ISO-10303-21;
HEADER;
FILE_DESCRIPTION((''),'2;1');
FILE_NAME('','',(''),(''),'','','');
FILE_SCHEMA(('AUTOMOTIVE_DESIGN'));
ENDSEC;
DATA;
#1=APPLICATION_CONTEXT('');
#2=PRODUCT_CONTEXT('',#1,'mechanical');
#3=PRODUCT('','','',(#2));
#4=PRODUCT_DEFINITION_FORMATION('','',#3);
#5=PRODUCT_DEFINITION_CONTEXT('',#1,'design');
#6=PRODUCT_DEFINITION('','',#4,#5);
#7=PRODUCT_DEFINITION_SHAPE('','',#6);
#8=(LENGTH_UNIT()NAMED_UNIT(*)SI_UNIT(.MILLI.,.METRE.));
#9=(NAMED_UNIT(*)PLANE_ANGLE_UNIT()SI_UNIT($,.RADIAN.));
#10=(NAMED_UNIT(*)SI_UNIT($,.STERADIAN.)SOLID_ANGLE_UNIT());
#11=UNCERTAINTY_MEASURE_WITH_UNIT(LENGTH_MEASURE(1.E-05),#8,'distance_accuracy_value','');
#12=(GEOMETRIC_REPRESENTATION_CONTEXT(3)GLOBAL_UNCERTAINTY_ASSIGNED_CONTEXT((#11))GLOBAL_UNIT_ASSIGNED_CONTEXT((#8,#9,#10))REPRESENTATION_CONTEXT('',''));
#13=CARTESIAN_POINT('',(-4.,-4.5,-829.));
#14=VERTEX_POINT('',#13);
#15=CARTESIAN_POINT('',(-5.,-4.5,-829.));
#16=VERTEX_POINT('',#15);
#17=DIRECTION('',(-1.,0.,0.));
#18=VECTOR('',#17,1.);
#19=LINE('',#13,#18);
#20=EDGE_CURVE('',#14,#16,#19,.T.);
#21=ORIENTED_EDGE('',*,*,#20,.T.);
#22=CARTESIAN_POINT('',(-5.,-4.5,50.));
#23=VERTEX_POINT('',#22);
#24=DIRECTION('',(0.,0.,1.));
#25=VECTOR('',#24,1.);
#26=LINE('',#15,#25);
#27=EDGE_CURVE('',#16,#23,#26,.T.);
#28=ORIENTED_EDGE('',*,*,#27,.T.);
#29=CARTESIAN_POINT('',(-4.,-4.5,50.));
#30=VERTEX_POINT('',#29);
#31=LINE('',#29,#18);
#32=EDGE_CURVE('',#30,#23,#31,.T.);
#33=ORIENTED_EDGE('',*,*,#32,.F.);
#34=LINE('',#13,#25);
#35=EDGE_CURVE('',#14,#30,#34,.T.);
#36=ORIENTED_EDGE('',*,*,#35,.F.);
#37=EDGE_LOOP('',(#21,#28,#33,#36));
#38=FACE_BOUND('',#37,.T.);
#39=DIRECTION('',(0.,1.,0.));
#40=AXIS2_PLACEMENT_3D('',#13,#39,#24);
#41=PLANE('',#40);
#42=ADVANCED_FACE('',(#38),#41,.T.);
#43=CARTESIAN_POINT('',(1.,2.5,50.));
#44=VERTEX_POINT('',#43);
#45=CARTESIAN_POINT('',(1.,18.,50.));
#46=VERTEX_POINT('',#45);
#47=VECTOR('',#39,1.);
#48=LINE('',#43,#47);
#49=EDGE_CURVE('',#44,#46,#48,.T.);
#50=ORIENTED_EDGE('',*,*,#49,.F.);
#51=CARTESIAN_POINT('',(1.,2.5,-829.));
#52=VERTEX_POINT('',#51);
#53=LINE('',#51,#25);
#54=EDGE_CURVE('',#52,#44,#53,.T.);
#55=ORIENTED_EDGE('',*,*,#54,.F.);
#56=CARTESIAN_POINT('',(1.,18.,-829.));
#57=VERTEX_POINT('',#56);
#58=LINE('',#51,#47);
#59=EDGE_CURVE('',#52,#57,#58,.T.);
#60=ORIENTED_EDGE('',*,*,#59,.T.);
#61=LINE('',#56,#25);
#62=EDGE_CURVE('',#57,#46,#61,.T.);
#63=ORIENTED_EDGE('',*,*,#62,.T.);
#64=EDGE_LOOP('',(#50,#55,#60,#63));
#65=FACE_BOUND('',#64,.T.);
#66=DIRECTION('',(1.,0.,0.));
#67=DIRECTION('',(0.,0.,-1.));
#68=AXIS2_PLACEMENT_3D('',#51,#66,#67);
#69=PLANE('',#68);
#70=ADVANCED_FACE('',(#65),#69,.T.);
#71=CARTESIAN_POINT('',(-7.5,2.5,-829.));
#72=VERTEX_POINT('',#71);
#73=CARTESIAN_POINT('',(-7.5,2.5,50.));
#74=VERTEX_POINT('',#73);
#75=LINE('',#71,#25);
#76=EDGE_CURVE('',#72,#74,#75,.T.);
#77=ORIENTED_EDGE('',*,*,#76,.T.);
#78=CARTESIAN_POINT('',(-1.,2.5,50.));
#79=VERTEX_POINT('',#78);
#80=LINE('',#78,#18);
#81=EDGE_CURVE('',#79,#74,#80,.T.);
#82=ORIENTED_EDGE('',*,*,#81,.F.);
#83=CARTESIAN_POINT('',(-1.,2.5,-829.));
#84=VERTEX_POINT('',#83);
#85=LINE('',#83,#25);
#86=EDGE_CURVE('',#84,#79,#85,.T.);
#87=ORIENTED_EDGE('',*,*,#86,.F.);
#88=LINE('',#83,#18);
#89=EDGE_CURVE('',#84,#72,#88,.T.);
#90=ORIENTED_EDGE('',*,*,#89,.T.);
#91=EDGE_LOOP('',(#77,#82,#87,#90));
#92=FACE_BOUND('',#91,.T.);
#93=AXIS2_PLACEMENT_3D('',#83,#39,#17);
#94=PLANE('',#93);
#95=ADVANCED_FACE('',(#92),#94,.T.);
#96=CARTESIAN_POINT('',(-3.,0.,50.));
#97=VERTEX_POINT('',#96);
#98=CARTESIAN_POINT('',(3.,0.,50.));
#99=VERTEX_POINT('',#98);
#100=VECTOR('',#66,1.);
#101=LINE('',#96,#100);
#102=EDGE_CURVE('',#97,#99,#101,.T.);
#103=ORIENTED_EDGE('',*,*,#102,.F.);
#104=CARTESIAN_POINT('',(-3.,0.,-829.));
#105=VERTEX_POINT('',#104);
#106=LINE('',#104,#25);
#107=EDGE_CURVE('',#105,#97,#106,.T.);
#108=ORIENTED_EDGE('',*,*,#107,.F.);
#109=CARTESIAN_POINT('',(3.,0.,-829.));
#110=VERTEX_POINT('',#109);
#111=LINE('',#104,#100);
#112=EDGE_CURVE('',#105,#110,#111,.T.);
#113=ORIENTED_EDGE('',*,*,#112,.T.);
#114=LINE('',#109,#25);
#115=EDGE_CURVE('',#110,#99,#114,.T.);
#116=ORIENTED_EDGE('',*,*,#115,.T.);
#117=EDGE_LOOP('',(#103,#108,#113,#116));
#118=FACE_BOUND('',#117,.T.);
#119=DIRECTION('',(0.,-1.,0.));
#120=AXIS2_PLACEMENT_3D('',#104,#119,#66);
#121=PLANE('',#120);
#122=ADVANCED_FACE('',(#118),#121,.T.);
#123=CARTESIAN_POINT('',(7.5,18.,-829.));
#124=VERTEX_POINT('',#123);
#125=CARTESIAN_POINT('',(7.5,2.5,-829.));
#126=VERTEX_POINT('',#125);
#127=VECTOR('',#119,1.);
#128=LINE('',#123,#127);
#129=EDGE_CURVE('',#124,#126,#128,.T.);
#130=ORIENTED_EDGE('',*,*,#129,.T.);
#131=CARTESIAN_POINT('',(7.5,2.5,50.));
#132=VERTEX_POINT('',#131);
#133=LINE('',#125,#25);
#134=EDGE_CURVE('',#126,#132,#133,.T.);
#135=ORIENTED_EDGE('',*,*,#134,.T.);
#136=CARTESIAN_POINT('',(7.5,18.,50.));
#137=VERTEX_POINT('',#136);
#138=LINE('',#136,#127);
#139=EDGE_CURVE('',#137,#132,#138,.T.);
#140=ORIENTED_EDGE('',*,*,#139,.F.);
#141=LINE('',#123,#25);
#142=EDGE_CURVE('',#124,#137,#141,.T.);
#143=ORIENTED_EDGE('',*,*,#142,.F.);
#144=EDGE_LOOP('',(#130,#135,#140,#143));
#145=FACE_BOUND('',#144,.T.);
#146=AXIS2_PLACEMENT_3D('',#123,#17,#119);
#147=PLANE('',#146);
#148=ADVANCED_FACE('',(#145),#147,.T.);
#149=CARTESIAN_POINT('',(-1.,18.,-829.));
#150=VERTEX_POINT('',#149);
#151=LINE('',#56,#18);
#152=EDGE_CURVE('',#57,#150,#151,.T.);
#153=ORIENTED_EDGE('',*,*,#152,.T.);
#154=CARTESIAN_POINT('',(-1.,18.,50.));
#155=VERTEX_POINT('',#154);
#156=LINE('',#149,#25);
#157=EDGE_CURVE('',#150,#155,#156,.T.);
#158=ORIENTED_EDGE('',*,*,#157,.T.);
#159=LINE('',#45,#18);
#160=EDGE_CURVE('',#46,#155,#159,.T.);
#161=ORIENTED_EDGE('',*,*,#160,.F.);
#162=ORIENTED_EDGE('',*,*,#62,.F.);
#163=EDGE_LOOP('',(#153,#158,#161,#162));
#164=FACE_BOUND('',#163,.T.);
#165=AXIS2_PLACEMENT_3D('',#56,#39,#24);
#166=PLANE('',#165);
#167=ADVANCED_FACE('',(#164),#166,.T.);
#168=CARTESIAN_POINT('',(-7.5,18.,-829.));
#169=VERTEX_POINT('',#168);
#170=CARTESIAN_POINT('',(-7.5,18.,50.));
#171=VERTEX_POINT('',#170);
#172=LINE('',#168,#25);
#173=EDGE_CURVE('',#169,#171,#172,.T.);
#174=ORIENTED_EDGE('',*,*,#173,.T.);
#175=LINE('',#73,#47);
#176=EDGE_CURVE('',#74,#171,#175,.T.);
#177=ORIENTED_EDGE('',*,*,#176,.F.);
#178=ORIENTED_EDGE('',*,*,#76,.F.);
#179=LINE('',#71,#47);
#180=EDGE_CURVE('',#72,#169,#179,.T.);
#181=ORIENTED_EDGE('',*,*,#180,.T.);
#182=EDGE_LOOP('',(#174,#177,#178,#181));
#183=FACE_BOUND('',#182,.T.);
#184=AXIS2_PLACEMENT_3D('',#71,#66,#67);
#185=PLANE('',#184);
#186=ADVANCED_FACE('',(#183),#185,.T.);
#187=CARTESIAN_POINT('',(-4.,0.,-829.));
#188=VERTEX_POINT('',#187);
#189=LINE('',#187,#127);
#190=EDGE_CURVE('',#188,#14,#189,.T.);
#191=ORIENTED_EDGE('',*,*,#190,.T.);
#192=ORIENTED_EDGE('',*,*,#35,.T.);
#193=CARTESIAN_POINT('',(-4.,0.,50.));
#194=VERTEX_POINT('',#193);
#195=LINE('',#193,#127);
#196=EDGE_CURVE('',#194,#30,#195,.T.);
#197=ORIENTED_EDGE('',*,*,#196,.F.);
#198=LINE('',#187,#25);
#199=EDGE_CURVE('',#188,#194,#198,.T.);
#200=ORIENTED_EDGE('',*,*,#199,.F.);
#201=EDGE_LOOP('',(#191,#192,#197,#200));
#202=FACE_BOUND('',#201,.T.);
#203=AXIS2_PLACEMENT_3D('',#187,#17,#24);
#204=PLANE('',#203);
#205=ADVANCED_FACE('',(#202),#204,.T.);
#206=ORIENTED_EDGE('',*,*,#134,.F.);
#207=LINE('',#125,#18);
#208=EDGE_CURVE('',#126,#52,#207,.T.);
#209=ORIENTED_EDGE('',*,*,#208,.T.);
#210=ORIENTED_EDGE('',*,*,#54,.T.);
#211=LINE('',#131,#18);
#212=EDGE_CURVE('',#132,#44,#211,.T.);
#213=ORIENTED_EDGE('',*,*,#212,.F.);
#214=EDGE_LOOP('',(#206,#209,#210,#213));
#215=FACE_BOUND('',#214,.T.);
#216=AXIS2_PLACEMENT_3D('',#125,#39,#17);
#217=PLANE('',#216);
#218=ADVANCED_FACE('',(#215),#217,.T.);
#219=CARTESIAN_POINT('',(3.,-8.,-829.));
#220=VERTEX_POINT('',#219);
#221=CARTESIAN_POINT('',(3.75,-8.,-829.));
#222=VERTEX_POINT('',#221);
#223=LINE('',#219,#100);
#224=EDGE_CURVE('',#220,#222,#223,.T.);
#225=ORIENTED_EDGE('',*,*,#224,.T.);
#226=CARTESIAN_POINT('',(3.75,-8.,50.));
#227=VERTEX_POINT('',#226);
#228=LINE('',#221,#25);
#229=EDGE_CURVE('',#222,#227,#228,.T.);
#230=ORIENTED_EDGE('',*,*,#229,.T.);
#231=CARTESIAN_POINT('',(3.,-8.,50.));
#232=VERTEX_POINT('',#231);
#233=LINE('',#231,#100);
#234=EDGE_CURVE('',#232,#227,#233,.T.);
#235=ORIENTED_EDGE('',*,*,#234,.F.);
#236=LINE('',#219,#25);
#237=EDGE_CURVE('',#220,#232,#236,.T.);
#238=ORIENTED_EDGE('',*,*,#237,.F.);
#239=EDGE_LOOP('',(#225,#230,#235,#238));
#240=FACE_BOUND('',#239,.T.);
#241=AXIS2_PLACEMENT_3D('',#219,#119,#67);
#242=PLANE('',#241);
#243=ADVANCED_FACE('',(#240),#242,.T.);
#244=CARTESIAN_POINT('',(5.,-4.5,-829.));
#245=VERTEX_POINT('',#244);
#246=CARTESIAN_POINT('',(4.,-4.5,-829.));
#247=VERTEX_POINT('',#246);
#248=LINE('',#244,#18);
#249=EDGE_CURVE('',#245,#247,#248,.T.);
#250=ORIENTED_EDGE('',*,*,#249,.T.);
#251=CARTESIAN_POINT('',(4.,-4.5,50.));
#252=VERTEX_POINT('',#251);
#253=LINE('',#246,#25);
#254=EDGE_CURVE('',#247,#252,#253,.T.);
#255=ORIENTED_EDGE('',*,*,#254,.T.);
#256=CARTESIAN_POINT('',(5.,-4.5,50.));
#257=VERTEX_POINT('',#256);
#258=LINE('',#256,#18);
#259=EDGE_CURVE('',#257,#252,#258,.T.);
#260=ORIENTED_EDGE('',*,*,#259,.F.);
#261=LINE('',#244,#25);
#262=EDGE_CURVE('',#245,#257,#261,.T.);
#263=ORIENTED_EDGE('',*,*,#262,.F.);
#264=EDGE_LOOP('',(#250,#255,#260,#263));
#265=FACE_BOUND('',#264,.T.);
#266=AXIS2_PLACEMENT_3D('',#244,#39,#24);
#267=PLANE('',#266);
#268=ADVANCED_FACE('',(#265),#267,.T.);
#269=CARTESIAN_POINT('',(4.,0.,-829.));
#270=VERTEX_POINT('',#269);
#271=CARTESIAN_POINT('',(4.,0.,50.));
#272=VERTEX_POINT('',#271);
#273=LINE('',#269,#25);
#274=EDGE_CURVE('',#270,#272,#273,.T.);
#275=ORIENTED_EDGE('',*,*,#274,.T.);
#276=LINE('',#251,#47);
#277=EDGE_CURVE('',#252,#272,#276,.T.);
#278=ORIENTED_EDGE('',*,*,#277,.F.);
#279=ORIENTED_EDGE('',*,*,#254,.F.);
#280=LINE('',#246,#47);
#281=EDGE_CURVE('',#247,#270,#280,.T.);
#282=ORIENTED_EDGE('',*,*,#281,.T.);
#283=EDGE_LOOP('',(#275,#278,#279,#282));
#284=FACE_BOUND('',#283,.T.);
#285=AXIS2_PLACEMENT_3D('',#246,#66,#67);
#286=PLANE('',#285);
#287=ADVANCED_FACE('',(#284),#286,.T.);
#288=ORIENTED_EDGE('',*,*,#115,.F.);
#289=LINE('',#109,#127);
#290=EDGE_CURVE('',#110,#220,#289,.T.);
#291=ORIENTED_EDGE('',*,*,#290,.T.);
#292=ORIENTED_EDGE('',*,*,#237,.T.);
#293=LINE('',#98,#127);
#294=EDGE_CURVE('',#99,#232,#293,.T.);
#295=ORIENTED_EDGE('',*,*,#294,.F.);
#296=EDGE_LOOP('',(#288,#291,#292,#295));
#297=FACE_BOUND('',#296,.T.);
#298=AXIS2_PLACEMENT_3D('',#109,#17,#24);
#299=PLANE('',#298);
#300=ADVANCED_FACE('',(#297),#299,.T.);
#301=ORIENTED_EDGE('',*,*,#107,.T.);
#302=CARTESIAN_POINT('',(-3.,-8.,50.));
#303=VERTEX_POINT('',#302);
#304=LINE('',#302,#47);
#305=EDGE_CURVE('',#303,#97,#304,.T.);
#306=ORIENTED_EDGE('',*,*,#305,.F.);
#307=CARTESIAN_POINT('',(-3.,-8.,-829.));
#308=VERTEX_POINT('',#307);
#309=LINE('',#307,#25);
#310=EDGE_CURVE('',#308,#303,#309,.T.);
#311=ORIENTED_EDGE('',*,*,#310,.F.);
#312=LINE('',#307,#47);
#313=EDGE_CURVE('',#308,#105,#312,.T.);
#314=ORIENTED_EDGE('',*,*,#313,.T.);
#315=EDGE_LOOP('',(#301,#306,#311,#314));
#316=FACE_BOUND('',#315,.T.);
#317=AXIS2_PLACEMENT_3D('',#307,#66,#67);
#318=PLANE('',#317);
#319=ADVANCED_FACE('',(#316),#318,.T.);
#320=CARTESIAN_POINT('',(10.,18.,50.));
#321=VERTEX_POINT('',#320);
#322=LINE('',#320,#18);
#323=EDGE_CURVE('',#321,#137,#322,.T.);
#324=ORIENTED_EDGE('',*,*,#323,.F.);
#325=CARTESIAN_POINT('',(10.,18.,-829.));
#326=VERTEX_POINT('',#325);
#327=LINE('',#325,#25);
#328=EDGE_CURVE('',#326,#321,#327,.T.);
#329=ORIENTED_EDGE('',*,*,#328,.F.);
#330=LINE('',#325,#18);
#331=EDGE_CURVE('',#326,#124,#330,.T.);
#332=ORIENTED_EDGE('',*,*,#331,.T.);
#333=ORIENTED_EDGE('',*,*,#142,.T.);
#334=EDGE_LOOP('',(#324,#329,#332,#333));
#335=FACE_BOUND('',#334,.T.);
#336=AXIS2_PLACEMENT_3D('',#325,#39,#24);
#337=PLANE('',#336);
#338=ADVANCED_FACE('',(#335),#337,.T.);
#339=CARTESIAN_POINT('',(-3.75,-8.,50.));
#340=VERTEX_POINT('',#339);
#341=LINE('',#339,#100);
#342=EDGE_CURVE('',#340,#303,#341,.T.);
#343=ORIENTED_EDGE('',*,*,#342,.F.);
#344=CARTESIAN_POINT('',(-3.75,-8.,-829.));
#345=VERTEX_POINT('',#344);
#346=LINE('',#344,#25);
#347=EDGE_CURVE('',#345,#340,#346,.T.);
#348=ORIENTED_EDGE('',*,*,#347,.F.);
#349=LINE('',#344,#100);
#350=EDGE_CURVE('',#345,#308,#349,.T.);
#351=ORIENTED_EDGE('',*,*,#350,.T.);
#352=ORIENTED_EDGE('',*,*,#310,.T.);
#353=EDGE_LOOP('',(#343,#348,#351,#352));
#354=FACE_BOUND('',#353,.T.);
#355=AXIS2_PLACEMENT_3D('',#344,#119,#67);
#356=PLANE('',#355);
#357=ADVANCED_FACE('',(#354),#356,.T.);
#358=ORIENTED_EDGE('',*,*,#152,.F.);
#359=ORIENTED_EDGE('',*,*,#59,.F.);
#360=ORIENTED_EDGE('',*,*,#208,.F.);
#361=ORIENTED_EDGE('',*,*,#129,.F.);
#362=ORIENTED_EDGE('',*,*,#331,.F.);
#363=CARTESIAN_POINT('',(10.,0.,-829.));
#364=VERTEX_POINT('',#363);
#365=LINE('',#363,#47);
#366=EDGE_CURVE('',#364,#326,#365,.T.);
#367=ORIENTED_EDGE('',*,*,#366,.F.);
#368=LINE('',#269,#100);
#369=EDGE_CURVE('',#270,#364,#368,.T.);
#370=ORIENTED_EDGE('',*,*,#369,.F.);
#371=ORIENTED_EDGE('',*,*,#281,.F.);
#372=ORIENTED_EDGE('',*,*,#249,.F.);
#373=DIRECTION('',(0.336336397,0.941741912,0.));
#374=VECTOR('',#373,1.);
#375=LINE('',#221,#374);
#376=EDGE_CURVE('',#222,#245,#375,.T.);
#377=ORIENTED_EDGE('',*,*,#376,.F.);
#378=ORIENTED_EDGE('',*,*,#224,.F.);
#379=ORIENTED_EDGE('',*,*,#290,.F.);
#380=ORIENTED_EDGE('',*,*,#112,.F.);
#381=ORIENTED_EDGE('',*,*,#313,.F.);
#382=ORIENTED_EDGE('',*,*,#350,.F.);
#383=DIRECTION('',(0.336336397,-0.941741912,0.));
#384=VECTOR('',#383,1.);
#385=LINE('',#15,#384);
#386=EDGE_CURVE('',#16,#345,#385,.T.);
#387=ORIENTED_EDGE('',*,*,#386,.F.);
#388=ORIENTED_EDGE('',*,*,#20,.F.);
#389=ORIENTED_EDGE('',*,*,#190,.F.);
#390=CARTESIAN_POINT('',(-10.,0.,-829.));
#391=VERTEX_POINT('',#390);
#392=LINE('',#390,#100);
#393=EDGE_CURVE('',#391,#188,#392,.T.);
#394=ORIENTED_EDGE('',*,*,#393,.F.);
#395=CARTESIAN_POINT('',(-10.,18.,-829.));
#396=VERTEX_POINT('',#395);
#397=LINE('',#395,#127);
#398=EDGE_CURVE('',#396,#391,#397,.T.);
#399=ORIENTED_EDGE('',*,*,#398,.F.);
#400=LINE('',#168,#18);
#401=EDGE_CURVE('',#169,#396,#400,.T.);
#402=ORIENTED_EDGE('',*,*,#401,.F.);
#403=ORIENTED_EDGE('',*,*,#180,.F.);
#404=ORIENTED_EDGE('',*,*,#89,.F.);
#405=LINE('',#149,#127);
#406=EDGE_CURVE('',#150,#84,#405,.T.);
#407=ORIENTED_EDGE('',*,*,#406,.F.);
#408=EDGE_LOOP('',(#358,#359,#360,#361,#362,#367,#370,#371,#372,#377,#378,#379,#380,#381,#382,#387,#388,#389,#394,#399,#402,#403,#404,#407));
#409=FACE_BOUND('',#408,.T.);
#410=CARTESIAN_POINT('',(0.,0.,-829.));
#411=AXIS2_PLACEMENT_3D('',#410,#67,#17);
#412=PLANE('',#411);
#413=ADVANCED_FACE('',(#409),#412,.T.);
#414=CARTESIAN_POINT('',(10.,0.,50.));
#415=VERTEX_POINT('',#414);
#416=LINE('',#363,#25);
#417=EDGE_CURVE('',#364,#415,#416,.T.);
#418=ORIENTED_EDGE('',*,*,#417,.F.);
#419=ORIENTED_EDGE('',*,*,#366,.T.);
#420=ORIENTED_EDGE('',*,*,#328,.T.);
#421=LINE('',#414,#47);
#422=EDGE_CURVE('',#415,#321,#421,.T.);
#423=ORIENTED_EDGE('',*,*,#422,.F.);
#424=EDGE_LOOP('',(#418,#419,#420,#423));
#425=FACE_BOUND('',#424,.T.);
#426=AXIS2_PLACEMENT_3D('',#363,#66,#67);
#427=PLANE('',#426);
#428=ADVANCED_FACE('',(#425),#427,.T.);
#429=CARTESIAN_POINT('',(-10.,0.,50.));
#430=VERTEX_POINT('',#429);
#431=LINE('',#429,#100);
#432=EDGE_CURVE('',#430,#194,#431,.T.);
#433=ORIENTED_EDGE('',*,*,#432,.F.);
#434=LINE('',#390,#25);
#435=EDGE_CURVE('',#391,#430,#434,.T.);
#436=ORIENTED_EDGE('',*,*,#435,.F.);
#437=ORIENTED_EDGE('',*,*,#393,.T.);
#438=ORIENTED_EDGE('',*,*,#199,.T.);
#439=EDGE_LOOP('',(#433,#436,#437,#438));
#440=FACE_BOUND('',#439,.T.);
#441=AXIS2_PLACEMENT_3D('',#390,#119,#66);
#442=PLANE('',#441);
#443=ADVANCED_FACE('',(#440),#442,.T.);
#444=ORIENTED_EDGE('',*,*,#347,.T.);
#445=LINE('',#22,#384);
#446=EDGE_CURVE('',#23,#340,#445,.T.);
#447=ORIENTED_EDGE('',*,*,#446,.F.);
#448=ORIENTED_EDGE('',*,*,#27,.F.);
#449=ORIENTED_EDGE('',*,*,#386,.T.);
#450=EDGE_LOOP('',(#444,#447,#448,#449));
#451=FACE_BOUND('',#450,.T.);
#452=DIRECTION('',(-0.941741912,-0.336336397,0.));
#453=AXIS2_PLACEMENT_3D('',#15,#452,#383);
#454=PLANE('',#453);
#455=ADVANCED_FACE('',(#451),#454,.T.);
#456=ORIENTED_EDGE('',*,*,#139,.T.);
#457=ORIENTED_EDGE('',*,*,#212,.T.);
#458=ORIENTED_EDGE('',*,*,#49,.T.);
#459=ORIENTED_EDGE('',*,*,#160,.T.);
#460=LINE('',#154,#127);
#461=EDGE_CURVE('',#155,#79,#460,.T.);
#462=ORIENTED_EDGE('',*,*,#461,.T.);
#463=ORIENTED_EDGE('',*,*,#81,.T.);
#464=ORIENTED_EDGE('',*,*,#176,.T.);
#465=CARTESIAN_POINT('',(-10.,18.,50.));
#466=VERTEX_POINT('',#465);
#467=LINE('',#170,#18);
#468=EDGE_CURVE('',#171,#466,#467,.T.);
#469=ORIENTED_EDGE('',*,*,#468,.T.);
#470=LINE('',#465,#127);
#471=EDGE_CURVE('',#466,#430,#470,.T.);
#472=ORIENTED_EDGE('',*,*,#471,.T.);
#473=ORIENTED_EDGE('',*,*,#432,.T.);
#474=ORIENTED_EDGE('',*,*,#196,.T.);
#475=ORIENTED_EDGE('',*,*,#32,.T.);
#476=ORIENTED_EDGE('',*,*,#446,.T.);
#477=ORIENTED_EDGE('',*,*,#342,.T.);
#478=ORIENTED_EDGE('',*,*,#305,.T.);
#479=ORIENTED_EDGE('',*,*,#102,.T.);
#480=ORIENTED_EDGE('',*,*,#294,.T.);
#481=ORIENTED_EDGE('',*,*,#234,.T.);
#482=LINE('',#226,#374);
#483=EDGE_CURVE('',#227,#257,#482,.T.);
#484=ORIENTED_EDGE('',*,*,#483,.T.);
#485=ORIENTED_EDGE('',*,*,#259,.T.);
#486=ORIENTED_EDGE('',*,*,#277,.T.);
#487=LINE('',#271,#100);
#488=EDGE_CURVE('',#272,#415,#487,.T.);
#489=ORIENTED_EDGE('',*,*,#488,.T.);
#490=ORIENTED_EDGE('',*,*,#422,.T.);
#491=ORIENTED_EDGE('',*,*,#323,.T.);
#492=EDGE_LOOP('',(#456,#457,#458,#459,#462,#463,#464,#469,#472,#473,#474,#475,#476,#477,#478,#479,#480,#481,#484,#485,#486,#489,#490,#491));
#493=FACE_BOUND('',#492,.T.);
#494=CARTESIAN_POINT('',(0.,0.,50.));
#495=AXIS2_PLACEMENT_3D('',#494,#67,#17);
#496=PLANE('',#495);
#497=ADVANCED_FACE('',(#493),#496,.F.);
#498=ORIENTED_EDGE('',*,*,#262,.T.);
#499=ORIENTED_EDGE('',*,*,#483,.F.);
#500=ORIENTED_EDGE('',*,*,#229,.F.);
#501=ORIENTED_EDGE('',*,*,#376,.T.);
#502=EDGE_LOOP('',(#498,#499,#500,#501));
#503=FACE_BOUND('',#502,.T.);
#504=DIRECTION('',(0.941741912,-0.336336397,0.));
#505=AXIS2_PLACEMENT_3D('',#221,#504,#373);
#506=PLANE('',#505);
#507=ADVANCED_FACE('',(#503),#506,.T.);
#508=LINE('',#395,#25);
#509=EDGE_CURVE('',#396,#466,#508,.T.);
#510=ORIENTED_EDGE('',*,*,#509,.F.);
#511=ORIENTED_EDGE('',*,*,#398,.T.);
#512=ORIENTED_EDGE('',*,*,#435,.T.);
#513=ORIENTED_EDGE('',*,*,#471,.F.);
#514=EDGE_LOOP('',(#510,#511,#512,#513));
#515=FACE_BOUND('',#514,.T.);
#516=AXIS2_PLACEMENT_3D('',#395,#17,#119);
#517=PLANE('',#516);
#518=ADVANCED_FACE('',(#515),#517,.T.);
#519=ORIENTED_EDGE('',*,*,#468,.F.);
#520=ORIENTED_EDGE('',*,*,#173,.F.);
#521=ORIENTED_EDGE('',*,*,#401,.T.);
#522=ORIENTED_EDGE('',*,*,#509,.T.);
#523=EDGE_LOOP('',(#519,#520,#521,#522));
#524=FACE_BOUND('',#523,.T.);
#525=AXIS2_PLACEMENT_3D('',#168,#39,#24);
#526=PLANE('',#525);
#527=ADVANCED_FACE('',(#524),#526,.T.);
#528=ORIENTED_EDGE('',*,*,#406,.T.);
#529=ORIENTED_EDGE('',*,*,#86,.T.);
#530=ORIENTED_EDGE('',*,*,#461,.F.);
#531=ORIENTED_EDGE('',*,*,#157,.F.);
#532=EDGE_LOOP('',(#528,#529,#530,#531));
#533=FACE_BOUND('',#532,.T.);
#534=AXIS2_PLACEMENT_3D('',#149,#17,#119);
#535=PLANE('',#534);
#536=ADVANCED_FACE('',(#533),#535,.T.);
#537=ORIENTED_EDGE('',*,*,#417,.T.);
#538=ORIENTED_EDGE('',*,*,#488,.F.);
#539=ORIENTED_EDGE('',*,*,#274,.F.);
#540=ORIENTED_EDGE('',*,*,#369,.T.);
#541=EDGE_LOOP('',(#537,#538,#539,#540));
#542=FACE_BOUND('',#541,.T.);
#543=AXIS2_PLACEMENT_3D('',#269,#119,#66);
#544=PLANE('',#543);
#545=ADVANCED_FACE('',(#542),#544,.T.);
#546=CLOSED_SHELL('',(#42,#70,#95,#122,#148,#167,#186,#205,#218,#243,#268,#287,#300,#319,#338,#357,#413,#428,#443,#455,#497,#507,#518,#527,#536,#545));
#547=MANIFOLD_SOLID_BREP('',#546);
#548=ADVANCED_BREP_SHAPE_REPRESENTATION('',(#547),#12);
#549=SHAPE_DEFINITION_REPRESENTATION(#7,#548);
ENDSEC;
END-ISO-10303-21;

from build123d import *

# Parameters (mm, degrees)
BOSS_EXTRU_1_DEPTH = 879


with BuildPart() as part:
    # Esquisse1 → Boss.-Extru.1 (new body)
    with BuildSketch(Plane.XY.offset(50)):
        Polygon((-1, 2.5), (-7.5, 2.5), (-7.5, 17.999999998), (-10, 17.999999998), (-10, 0), (-4, 0), (-4, -4.5), (-5, -4.5), (-3.75, -8), (-3, -8), (-3, 0), (3, 0), (3, -8), (3.75, -8), (5, -4.5), (4, -4.5), (4, 0), (10, 0), (10, 17.999999998), (7.5, 17.999999998), (7.5, 2.5), (1, 2.5), (1, 17.999999998), (-1, 17.999999998), align=None)
    extrude(amount=-BOSS_EXTRU_1_DEPTH)


solid = part.part
